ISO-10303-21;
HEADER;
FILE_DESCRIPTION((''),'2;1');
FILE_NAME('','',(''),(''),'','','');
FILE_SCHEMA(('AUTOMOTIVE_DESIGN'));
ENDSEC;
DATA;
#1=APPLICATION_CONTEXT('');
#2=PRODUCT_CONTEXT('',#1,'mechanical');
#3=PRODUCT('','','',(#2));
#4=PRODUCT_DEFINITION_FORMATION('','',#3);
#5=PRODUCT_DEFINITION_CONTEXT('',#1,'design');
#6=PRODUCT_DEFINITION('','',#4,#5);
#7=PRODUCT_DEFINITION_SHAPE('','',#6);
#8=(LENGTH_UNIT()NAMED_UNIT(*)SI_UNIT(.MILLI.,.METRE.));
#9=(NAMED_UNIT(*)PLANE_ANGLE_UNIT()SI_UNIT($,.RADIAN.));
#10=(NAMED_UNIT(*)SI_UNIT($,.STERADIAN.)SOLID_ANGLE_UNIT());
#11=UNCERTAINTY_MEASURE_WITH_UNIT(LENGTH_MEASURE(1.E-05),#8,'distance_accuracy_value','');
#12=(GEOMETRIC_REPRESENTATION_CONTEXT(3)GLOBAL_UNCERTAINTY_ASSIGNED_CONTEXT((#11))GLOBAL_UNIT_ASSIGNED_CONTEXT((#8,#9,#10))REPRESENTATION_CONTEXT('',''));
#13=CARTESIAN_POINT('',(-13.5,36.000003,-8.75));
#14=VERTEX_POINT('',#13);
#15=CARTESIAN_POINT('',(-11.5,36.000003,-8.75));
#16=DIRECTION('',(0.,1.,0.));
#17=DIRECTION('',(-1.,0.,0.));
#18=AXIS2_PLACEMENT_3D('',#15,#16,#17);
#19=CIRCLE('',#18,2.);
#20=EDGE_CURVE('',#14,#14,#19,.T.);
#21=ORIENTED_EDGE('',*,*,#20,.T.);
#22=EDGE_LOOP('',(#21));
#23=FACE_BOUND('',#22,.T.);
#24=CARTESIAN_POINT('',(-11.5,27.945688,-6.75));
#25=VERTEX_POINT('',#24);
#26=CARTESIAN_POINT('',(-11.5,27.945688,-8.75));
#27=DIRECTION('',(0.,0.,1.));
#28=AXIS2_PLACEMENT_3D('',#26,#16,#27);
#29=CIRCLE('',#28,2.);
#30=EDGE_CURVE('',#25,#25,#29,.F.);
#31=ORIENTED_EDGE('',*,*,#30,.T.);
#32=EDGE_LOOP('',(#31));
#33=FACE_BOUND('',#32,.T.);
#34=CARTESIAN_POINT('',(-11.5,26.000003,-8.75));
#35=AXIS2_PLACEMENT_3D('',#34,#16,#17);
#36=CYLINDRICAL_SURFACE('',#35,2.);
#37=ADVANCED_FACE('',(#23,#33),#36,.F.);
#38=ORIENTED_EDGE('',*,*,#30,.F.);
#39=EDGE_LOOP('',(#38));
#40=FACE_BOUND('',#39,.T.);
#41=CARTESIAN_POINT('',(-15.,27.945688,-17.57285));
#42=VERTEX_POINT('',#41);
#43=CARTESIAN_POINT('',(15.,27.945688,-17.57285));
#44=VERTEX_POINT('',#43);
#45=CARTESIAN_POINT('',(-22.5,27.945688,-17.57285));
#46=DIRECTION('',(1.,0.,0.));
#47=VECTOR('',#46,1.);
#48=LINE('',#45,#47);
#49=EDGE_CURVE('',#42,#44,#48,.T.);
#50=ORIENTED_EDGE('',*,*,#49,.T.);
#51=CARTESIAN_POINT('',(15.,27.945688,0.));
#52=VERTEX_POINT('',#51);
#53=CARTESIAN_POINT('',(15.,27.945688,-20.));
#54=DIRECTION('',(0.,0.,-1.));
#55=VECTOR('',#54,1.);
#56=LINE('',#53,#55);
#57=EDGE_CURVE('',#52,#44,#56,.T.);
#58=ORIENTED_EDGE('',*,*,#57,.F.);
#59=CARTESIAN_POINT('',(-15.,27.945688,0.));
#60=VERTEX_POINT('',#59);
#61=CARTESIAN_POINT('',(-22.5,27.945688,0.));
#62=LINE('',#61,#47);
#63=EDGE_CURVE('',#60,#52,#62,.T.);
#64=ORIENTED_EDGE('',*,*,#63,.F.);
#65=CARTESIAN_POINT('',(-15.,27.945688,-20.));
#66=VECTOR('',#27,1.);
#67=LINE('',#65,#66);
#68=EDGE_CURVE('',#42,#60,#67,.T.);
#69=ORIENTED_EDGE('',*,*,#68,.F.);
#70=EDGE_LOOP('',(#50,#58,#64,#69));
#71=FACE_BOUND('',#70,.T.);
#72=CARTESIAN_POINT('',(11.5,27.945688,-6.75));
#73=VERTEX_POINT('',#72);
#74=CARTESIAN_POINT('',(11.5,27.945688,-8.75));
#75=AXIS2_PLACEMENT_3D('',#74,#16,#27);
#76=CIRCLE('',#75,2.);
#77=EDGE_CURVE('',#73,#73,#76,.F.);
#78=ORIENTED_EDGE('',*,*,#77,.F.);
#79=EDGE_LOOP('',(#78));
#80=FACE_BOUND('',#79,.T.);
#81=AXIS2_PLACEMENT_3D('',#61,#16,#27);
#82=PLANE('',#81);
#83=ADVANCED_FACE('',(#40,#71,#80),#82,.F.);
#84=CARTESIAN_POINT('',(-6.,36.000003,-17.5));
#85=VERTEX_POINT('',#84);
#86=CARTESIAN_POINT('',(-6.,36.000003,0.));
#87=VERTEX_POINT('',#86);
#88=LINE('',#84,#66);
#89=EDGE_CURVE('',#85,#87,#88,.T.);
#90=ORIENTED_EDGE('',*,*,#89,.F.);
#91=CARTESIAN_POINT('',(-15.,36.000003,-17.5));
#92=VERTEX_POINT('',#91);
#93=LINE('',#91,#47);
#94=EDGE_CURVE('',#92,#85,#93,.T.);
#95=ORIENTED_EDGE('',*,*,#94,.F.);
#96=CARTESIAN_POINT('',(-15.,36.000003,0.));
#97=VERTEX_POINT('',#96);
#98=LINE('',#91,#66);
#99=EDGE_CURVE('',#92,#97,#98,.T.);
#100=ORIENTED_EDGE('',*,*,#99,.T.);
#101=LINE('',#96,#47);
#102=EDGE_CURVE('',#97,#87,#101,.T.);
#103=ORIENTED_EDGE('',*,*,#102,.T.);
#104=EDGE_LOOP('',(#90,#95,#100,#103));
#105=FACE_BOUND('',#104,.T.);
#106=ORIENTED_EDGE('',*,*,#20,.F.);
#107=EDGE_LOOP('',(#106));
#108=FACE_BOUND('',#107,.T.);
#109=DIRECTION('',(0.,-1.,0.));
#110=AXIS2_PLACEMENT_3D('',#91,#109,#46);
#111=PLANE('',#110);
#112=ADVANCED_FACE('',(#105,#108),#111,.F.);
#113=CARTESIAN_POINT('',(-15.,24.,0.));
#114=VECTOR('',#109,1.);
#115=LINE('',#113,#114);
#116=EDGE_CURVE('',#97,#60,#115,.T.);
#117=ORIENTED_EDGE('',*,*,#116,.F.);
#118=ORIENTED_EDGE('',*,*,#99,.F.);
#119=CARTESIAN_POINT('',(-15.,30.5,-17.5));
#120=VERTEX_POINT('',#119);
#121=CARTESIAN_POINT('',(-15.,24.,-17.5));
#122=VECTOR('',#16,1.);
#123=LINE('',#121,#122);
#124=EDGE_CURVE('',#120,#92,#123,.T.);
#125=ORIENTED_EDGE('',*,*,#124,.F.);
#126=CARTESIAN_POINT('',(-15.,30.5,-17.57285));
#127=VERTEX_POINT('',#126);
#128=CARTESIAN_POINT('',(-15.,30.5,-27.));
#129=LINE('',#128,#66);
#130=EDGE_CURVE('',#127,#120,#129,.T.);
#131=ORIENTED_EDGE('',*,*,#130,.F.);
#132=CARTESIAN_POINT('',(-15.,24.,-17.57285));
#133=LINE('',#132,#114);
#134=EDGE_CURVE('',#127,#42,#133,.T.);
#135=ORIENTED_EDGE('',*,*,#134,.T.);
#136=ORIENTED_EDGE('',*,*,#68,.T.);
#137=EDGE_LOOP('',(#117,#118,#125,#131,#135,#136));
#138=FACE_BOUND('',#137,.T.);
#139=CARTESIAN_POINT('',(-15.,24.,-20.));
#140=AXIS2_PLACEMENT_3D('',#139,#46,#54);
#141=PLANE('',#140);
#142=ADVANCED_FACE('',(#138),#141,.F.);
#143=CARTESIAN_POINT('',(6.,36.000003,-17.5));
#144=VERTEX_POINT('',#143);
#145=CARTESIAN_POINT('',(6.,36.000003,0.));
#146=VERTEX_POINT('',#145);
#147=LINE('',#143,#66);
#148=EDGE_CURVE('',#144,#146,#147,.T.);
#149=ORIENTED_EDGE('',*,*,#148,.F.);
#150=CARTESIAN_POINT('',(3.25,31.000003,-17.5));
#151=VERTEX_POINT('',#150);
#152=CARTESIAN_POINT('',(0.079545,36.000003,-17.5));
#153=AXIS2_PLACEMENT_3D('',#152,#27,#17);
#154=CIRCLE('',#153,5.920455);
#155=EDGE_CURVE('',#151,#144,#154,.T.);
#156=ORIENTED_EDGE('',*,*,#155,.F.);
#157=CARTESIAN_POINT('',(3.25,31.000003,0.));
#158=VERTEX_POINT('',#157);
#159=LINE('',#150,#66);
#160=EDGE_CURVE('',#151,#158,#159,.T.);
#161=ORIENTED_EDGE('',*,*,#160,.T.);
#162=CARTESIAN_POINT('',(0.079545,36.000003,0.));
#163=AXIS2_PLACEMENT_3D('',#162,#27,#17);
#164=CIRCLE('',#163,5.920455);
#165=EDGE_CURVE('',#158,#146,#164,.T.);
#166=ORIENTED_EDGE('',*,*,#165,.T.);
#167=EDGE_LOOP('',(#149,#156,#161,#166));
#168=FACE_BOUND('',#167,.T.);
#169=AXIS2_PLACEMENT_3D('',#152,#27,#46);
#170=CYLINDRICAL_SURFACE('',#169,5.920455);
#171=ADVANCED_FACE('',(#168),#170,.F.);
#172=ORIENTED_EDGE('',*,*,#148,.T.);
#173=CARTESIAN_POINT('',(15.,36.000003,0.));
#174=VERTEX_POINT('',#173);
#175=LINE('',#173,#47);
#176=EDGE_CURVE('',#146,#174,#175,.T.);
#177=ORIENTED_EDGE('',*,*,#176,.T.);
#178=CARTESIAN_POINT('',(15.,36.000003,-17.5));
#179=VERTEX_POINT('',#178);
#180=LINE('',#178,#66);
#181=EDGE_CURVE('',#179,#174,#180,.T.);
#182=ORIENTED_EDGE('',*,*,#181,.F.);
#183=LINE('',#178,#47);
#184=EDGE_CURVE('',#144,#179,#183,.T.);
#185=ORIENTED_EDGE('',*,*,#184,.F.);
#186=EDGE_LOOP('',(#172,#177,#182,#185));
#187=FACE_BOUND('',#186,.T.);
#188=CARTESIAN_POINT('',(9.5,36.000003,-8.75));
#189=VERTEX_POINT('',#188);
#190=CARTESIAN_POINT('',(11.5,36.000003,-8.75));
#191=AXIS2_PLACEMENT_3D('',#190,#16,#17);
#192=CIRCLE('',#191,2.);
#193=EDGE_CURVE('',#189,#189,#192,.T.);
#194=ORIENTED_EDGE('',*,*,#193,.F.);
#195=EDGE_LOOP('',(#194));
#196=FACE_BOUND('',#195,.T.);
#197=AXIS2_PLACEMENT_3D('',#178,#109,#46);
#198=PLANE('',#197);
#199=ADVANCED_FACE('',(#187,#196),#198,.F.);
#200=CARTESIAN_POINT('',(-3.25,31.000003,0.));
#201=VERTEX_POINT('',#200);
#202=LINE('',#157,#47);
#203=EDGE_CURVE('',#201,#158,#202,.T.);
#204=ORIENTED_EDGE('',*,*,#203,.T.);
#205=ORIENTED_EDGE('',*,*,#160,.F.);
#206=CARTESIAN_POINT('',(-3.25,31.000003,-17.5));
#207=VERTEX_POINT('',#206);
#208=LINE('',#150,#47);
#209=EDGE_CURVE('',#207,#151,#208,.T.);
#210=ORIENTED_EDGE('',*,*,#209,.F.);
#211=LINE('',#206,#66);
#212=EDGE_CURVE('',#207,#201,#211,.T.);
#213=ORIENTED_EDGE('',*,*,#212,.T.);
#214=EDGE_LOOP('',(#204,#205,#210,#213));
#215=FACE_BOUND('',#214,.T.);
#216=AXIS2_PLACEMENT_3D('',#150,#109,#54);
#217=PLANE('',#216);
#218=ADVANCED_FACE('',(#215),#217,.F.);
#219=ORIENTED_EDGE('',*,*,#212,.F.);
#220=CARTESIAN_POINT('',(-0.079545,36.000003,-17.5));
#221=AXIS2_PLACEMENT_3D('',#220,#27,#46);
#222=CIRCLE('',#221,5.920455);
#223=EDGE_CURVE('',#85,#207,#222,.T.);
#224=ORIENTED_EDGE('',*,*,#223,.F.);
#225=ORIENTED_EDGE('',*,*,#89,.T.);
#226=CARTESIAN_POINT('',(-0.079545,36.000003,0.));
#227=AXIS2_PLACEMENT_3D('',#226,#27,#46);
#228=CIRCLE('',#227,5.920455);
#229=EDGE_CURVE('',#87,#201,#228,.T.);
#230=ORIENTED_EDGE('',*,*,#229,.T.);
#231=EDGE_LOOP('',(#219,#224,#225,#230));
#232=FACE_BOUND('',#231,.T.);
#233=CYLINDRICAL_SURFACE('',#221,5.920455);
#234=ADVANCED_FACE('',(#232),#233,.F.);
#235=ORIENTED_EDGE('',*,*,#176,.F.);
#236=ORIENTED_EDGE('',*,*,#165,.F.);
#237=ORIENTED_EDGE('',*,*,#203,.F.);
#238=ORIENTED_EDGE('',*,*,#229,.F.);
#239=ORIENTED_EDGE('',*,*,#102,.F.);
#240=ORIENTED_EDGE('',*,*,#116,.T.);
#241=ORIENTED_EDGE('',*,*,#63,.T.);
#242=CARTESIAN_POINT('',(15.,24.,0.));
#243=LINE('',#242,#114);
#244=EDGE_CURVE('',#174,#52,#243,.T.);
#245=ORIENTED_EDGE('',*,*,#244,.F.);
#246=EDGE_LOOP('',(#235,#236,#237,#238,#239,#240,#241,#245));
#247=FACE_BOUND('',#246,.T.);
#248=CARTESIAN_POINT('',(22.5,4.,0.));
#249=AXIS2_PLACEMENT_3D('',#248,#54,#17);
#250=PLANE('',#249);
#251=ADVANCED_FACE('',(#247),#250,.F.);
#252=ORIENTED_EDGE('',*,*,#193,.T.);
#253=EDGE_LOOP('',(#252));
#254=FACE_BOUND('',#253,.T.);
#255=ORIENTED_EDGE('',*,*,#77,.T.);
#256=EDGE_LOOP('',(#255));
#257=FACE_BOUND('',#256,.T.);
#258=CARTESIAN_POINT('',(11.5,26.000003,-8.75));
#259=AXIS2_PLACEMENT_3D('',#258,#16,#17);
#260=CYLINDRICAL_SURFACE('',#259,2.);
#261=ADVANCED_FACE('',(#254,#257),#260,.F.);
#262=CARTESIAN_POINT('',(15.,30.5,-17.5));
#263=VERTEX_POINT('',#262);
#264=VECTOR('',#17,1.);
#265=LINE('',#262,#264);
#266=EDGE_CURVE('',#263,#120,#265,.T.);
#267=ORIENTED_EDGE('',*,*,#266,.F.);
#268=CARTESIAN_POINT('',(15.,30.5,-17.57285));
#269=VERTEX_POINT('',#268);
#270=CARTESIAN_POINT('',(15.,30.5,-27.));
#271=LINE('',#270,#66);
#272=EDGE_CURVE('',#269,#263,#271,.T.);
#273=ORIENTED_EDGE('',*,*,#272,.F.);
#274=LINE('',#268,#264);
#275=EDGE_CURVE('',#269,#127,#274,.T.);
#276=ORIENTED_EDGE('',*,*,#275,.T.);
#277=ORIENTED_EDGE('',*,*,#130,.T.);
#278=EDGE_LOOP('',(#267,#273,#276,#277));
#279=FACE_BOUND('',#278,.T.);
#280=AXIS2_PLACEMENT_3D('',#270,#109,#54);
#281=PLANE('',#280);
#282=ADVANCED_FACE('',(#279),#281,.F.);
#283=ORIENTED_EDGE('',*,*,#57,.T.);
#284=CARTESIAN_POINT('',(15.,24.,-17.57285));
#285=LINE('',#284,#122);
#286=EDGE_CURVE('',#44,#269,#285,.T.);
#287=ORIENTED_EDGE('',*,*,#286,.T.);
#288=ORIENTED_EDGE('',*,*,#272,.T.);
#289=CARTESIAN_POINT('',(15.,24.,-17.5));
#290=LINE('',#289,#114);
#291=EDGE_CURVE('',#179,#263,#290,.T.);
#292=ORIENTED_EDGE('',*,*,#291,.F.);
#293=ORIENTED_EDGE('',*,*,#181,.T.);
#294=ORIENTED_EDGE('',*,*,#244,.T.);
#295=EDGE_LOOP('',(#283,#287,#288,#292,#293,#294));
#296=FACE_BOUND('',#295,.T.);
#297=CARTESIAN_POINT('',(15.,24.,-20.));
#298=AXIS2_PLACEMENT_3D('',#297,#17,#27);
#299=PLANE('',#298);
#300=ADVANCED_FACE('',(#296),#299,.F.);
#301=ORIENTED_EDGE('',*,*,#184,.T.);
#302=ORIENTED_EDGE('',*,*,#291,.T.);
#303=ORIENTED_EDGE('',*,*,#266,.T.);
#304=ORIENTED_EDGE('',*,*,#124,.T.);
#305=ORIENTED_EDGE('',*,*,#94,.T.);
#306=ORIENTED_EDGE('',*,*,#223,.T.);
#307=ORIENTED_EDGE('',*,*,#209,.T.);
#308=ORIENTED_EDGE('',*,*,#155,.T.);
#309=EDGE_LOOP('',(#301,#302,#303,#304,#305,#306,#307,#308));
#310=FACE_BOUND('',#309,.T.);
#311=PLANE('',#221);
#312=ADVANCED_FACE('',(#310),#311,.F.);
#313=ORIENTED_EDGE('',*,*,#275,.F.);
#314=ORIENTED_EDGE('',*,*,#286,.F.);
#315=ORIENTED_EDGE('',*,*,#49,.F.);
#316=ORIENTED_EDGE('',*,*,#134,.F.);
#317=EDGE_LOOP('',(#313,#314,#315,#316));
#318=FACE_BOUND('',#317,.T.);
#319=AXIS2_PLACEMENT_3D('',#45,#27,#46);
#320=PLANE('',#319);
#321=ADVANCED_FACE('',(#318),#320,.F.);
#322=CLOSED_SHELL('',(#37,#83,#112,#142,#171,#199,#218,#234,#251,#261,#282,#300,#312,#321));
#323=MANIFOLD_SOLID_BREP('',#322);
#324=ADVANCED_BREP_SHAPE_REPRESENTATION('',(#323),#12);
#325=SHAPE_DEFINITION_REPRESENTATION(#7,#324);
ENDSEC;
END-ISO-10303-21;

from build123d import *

# Parameters (mm, degrees)
SKETCH_2_W               = 50
SKETCH_2_H               = 4
EXTRUDE_2_DEPTH          = 22.5
SKETCH_15_R              = 1.4
EXTRUDE_8_DEPTH          = 5
SKETCH_3_W               = 30
SKETCH_3_H               = 20
EXTRUDE_4_DEPTH          = 20
EXTRUDE_9_DEPTH          = 17.5
EXTRUDE_10_DEPTH         = 15
CUT_EXTRUDE_1_REACH      = 58.089
SKETCH_19_R              = 2.1
SKETCH_20_R              = 2
CUT_EXTRUDE_2_DEPTH      = 10
CUT_EXTRUDE_3_DEPTH      = 70.524879929
CUT_EXTRUDE_3_DEPTH_BACK = 70.524879929


with BuildPart() as part:
    # 草圖2 → 填料-伸長2 (new, symmetric)
    with BuildSketch(Plane(origin=(0, 0, 0), x_dir=(0, 0, -1), z_dir=(1, 0, 0))):
        with Locations((25, 2)):
            Rectangle(SKETCH_2_W, SKETCH_2_H)
    extrude(amount=EXTRUDE_2_DEPTH, both=True)

    # 草圖15 → 填料-伸長8 (add)
    with BuildSketch(Plane(origin=(0, 4, 0), x_dir=(1, 0, 0), z_dir=(0, 1, 0))):
        with Locations(Location((17.5, 39.2, 0), (0, 0, 90))):
            Circle(SKETCH_15_R)
        with Locations(Location((17.5, 24.2, 0), (0, 0, 90))):
            Circle(SKETCH_15_R)
    extrude(amount=EXTRUDE_8_DEPTH)

    # 草圖3 → 填料-伸長4 (add)
    with BuildSketch(Plane(origin=(0, 4, 0), x_dir=(1, 0, 0), z_dir=(0, 1, 0))):
        with Locations((0, 10)):
            Rectangle(SKETCH_3_W, SKETCH_3_H)
    extrude(amount=EXTRUDE_4_DEPTH)

    # 草圖16 → 填料-伸長9 (add)
    with BuildSketch(Plane(origin=(0, 0, 0), x_dir=(-1, 0, 0), z_dir=(0, 0, -1))):
        with BuildLine():
            Line((-15, 24), (-15, 36.000002525))
            Line((-15, 36.000002525), (-6, 36.000002525))
            ThreePointArc((-6, 36.000002525), (-5.267141914, 33.146824473), (-3.25, 31.000002525))
            Line((-3.25, 31.000002525), (3.25, 31.000002525))
            ThreePointArc((3.25, 31.000002525), (5.267141914, 33.146824473), (6, 36.000002525))
            Line((6, 36.000002525), (15, 36.000002525))
            Line((15, 36.000002525), (15, 24))
            Line((15, 24), (-15, 24))
        make_face()
    extrude(amount=EXTRUDE_9_DEPTH)

    # 草圖18 → 填料-伸長10 (add, symmetric)
    with BuildSketch(Plane(origin=(0, 0, 0), x_dir=(0, 0, -1), z_dir=(1, 0, 0))):
        Polygon((17.5, 24), (28.5, 24), (28.5, 42.748788628), (27, 42.748788628), (27, 30.5), (17.5, 30.5), align=None)
    extrude(amount=EXTRUDE_10_DEPTH, both=True)

    # 草圖19 → 除料-伸長1 (cut, up to next)
    with BuildSketch(Plane(origin=(0, 0, -28.5), x_dir=(-1, 0, 0), z_dir=(0, 0, -1)), mode=Mode.PRIVATE) as cut_extrude_1_sk1:
        with Locations((0, 36.000002505)):
            Circle(SKETCH_19_R)
    cut_extrude_1_tool1 = extrude(cut_extrude_1_sk1.sketch, amount=-CUT_EXTRUDE_1_REACH, mode=Mode.PRIVATE) & part.part
    add(cut_extrude_1_tool1.solids().sort_by_distance((0, 36.000003, -28.5))[0], mode=Mode.SUBTRACT)

    # 草圖20 → 除料-伸長2 (cut)
    with BuildSketch(Plane(origin=(0, 36.000002525, 0), x_dir=(1, 0, 0), z_dir=(0, 1, 0))):
        with Locations(Location((-11.5, 8.75, 0), (0, 0, 180))):
            Circle(SKETCH_20_R)
        with Locations(Location((11.5, 8.75, 0), (0, 0, 180))):
            Circle(SKETCH_20_R)
    extrude(amount=-CUT_EXTRUDE_2_DEPTH, mode=Mode.SUBTRACT)

    # 草圖21 → 除料-伸長3 (cut, two sides: drawn at the far end of the back side and taken through both)
    with BuildSketch(Plane(origin=(0, 0, 0), x_dir=(0, 0, -1), z_dir=(1, 0, 0)).offset(-CUT_EXTRUDE_3_DEPTH_BACK)):
        Polygon((0, 0), (0, 27.945687573), (17.572849685, 27.945687573), (17.572849685, 46.39939524), (61.461395387, 46.39939524), (61.461395387, 0), align=None)
    extrude(amount=CUT_EXTRUDE_3_DEPTH + CUT_EXTRUDE_3_DEPTH_BACK, mode=Mode.SUBTRACT)


solid = part.part
